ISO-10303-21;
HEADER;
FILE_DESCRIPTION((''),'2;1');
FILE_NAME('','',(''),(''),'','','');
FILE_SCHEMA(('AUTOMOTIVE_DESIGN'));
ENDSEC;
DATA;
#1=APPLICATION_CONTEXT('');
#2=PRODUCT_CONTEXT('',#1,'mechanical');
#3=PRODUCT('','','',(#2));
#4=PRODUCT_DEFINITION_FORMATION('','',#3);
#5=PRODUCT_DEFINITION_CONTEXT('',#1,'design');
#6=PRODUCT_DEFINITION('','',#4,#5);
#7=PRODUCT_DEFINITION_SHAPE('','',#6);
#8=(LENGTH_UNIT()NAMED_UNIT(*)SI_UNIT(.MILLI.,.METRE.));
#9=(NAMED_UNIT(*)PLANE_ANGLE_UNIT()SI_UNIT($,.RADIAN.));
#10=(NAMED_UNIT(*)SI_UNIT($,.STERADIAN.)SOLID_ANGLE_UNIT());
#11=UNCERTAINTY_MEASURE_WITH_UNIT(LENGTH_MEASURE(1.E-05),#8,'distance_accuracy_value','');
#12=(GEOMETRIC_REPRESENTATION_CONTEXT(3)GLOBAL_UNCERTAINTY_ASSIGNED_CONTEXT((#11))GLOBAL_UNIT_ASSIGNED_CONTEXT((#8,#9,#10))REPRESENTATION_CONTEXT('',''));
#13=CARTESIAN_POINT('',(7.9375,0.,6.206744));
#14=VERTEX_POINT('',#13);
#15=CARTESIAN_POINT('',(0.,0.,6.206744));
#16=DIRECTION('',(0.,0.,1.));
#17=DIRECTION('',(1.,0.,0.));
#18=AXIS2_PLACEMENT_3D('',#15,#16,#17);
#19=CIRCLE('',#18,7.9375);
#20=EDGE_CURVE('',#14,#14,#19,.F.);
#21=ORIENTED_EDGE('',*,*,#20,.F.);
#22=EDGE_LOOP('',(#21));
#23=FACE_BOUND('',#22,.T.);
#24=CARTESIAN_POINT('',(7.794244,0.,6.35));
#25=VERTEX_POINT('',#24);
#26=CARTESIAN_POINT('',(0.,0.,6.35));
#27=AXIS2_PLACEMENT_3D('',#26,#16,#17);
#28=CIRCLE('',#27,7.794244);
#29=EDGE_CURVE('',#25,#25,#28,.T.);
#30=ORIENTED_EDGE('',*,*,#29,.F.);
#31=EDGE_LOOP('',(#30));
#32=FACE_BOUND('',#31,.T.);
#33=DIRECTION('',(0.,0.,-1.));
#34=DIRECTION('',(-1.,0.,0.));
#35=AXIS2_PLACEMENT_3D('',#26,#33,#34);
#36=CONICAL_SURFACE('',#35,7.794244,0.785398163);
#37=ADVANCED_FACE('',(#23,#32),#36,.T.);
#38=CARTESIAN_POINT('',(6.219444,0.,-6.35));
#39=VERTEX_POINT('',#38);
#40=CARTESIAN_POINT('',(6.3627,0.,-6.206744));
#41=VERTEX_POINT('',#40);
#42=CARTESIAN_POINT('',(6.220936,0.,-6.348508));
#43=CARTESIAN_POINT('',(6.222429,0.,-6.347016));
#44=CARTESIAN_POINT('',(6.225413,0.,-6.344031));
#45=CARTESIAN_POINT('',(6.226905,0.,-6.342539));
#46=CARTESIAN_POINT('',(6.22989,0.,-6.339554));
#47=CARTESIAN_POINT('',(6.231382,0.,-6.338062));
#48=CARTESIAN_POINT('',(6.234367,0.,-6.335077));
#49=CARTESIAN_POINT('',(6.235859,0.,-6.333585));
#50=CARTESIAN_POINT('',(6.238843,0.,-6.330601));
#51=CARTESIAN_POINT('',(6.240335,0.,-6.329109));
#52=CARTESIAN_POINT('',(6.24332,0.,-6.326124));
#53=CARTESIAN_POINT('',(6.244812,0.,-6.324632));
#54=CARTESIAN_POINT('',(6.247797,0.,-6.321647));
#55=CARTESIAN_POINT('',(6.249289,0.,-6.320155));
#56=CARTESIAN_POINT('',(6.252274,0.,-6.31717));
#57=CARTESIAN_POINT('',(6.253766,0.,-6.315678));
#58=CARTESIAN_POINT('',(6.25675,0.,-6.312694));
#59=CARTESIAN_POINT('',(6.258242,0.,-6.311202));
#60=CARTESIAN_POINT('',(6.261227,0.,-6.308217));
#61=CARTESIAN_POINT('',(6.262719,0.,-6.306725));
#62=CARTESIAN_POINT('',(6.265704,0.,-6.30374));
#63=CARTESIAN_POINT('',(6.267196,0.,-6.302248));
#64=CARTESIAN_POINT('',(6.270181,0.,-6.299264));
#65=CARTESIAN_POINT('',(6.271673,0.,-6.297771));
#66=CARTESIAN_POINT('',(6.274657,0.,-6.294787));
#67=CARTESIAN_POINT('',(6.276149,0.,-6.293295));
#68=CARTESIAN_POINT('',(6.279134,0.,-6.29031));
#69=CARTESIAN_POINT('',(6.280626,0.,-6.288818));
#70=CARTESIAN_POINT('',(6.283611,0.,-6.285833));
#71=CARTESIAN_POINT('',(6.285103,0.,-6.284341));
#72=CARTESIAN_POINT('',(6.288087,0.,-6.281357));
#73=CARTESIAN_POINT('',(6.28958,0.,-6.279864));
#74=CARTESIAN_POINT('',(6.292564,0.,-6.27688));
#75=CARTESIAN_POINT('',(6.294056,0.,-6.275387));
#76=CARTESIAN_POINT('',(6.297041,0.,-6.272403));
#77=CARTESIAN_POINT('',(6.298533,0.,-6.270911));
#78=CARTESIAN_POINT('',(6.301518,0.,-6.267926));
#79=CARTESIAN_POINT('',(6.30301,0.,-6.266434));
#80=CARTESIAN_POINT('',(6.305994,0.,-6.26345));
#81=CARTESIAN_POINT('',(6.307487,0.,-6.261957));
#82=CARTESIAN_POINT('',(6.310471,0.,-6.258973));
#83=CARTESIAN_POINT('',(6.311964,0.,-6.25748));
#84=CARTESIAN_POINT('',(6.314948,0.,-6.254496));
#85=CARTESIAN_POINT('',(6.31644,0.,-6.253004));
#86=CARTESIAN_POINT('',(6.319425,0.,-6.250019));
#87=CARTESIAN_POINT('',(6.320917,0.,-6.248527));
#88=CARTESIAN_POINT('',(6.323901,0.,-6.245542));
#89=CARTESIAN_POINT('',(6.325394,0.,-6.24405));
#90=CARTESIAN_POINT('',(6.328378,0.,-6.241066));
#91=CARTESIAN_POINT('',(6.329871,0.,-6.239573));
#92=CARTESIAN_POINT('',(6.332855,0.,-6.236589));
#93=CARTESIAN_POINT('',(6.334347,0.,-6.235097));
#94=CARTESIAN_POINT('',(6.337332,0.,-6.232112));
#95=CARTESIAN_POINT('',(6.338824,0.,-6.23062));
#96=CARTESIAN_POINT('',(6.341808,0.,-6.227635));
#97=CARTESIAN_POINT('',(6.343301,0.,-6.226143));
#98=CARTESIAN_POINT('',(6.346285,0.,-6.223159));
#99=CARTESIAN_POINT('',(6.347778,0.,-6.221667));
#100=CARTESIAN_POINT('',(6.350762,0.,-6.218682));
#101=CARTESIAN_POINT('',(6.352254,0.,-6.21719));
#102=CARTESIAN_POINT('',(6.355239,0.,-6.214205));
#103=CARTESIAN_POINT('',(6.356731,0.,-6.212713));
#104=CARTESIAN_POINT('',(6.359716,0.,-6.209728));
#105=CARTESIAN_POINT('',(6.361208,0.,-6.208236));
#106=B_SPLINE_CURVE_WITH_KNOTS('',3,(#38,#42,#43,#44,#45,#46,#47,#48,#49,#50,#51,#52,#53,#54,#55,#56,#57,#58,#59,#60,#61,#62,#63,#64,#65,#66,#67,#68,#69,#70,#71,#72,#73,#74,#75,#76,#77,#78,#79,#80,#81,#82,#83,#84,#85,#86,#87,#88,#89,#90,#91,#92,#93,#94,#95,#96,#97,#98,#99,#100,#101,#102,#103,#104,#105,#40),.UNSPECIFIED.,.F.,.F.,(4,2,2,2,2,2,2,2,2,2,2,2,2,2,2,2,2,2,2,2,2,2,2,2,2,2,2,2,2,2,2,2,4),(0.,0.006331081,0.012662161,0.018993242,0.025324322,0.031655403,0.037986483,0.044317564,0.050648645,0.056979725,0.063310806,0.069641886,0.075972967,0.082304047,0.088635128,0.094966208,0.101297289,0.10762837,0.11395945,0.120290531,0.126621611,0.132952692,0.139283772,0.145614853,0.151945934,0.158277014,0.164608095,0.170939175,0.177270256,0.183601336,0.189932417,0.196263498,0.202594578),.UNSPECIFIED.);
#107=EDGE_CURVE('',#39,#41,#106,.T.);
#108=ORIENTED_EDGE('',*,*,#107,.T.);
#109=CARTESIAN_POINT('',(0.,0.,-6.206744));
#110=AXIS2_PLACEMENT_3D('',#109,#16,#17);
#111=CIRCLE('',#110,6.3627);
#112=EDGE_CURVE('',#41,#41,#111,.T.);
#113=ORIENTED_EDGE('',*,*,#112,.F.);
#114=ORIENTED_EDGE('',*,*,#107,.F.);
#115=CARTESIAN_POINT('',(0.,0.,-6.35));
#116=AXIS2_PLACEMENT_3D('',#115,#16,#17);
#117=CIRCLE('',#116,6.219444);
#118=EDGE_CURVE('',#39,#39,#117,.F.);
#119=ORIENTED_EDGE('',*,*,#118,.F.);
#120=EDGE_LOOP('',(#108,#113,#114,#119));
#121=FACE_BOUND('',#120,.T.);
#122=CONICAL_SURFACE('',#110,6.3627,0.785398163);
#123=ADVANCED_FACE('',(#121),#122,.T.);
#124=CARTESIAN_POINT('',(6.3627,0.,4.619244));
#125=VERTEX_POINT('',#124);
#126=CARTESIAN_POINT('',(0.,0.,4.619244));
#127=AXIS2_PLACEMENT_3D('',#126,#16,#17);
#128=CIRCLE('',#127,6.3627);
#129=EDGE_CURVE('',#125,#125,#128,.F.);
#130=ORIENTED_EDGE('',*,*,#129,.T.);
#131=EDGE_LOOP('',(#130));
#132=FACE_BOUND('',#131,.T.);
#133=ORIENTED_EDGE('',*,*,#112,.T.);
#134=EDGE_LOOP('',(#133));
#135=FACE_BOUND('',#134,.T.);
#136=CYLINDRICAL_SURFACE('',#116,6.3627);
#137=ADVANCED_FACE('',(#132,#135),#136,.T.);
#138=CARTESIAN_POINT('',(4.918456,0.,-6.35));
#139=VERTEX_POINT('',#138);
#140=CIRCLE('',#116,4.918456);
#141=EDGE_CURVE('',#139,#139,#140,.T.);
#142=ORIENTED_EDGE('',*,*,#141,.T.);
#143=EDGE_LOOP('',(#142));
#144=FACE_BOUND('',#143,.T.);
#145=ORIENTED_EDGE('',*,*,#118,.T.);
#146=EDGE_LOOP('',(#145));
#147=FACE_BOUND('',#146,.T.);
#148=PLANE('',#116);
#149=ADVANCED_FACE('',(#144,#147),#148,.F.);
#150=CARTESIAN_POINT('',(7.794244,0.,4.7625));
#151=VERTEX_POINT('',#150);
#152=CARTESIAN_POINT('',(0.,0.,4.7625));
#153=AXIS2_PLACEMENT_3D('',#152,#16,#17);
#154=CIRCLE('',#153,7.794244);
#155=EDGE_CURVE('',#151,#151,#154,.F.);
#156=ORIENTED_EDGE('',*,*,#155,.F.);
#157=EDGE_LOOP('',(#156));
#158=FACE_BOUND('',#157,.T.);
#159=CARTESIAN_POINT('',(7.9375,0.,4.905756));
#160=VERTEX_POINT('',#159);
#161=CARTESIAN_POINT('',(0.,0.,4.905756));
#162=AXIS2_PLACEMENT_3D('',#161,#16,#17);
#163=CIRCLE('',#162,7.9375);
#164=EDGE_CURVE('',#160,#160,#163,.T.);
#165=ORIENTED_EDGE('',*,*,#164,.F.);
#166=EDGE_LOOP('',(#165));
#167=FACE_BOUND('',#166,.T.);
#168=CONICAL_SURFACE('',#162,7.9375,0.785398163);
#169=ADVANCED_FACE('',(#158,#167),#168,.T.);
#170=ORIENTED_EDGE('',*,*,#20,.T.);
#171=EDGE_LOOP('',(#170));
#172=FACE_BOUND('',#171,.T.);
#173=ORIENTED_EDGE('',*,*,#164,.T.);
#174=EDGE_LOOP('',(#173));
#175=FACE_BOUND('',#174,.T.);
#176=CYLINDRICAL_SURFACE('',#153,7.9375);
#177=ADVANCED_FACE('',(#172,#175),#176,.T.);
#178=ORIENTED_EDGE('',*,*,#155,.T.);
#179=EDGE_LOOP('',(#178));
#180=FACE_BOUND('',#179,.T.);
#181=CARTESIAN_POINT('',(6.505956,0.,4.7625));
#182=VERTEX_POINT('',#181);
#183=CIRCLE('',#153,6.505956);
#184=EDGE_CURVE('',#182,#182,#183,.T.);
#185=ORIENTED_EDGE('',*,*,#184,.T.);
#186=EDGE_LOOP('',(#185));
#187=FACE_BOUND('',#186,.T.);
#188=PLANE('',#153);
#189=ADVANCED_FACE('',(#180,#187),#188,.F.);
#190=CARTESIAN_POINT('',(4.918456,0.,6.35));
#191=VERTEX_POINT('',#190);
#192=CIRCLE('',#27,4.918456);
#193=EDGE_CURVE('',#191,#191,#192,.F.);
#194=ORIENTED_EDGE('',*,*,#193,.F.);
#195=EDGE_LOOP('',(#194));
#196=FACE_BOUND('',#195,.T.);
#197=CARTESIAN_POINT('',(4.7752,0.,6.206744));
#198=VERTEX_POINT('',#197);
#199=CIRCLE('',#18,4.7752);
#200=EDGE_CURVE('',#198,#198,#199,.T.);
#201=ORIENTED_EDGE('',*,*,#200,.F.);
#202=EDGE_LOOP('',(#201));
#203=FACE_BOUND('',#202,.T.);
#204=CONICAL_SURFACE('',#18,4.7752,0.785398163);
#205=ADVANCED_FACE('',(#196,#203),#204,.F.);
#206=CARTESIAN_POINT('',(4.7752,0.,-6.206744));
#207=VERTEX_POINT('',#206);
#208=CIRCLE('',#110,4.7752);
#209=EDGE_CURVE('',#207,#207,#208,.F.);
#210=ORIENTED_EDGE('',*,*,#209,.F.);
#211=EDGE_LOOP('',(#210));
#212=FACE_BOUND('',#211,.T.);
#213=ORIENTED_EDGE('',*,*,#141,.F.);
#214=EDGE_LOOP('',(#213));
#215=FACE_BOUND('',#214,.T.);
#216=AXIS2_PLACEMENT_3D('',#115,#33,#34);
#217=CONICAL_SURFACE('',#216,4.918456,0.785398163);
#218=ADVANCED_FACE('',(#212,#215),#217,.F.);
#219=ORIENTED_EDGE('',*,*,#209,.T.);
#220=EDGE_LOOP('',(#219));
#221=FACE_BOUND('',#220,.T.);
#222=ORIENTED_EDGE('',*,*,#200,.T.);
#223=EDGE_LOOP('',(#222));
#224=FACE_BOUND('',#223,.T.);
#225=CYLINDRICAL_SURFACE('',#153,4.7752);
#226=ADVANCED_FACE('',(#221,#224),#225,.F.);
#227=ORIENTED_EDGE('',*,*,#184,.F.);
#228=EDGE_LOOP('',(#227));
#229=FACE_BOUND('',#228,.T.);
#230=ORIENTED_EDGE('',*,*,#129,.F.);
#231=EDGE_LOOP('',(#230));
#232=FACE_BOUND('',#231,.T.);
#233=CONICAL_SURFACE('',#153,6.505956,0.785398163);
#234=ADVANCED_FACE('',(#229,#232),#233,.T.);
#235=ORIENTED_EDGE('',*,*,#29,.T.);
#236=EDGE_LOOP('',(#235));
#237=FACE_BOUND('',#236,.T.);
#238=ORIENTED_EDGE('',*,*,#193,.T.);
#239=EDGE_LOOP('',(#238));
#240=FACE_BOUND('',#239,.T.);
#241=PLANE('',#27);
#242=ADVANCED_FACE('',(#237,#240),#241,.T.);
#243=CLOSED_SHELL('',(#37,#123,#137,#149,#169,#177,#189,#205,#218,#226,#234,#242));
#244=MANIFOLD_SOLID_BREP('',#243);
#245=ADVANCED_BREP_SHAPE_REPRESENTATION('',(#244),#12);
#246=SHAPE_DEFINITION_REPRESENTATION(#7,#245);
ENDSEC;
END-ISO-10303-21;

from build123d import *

# Parameters (mm, degrees)
BOSS_EXTRUDE1_START = 6.35
SKETCH3_R           = 7.9375
SKETCH3_R_2         = 4.7752
BOSS_EXTRUDE1_DEPTH = 1.5875
BOSS_EXTRUDE2_START = 4.7625
SKETCH4_R           = 6.3627
SKETCH4_R_2         = 4.7752
BOSS_EXTRUDE2_DEPTH = 11.1125
CHAMFER1_SIZE       = 0.143256


with BuildPart() as part:
    # Sketch3 → Boss-Extrude1 (new body)
    with BuildSketch(Plane.XY.offset(BOSS_EXTRUDE1_START)):
        Circle(SKETCH3_R)
        Circle(SKETCH3_R_2, mode=Mode.SUBTRACT)
    extrude(amount=-BOSS_EXTRUDE1_DEPTH)

    # Sketch4 → Boss-Extrude2 (add)
    with BuildSketch(Plane.XY.offset(BOSS_EXTRUDE2_START)):
        Circle(SKETCH4_R)
        Circle(SKETCH4_R_2, mode=Mode.SUBTRACT)
    extrude(amount=-BOSS_EXTRUDE2_DEPTH)

    # Chamfer1
    chamfer1_edges = [part.edges().sort_by_distance(p)[0] for p in [
        (-4.7752, 0, -6.35),
        (-6.3627, 0, 4.7625),
        (-7.9375, 0, 6.35),
        (-7.9375, 0, 4.7625),
        (-4.7752, 0, 6.35),
        (-6.3627, 0, -6.35),
    ]]
    chamfer(chamfer1_edges, length=CHAMFER1_SIZE)


solid = part.part
